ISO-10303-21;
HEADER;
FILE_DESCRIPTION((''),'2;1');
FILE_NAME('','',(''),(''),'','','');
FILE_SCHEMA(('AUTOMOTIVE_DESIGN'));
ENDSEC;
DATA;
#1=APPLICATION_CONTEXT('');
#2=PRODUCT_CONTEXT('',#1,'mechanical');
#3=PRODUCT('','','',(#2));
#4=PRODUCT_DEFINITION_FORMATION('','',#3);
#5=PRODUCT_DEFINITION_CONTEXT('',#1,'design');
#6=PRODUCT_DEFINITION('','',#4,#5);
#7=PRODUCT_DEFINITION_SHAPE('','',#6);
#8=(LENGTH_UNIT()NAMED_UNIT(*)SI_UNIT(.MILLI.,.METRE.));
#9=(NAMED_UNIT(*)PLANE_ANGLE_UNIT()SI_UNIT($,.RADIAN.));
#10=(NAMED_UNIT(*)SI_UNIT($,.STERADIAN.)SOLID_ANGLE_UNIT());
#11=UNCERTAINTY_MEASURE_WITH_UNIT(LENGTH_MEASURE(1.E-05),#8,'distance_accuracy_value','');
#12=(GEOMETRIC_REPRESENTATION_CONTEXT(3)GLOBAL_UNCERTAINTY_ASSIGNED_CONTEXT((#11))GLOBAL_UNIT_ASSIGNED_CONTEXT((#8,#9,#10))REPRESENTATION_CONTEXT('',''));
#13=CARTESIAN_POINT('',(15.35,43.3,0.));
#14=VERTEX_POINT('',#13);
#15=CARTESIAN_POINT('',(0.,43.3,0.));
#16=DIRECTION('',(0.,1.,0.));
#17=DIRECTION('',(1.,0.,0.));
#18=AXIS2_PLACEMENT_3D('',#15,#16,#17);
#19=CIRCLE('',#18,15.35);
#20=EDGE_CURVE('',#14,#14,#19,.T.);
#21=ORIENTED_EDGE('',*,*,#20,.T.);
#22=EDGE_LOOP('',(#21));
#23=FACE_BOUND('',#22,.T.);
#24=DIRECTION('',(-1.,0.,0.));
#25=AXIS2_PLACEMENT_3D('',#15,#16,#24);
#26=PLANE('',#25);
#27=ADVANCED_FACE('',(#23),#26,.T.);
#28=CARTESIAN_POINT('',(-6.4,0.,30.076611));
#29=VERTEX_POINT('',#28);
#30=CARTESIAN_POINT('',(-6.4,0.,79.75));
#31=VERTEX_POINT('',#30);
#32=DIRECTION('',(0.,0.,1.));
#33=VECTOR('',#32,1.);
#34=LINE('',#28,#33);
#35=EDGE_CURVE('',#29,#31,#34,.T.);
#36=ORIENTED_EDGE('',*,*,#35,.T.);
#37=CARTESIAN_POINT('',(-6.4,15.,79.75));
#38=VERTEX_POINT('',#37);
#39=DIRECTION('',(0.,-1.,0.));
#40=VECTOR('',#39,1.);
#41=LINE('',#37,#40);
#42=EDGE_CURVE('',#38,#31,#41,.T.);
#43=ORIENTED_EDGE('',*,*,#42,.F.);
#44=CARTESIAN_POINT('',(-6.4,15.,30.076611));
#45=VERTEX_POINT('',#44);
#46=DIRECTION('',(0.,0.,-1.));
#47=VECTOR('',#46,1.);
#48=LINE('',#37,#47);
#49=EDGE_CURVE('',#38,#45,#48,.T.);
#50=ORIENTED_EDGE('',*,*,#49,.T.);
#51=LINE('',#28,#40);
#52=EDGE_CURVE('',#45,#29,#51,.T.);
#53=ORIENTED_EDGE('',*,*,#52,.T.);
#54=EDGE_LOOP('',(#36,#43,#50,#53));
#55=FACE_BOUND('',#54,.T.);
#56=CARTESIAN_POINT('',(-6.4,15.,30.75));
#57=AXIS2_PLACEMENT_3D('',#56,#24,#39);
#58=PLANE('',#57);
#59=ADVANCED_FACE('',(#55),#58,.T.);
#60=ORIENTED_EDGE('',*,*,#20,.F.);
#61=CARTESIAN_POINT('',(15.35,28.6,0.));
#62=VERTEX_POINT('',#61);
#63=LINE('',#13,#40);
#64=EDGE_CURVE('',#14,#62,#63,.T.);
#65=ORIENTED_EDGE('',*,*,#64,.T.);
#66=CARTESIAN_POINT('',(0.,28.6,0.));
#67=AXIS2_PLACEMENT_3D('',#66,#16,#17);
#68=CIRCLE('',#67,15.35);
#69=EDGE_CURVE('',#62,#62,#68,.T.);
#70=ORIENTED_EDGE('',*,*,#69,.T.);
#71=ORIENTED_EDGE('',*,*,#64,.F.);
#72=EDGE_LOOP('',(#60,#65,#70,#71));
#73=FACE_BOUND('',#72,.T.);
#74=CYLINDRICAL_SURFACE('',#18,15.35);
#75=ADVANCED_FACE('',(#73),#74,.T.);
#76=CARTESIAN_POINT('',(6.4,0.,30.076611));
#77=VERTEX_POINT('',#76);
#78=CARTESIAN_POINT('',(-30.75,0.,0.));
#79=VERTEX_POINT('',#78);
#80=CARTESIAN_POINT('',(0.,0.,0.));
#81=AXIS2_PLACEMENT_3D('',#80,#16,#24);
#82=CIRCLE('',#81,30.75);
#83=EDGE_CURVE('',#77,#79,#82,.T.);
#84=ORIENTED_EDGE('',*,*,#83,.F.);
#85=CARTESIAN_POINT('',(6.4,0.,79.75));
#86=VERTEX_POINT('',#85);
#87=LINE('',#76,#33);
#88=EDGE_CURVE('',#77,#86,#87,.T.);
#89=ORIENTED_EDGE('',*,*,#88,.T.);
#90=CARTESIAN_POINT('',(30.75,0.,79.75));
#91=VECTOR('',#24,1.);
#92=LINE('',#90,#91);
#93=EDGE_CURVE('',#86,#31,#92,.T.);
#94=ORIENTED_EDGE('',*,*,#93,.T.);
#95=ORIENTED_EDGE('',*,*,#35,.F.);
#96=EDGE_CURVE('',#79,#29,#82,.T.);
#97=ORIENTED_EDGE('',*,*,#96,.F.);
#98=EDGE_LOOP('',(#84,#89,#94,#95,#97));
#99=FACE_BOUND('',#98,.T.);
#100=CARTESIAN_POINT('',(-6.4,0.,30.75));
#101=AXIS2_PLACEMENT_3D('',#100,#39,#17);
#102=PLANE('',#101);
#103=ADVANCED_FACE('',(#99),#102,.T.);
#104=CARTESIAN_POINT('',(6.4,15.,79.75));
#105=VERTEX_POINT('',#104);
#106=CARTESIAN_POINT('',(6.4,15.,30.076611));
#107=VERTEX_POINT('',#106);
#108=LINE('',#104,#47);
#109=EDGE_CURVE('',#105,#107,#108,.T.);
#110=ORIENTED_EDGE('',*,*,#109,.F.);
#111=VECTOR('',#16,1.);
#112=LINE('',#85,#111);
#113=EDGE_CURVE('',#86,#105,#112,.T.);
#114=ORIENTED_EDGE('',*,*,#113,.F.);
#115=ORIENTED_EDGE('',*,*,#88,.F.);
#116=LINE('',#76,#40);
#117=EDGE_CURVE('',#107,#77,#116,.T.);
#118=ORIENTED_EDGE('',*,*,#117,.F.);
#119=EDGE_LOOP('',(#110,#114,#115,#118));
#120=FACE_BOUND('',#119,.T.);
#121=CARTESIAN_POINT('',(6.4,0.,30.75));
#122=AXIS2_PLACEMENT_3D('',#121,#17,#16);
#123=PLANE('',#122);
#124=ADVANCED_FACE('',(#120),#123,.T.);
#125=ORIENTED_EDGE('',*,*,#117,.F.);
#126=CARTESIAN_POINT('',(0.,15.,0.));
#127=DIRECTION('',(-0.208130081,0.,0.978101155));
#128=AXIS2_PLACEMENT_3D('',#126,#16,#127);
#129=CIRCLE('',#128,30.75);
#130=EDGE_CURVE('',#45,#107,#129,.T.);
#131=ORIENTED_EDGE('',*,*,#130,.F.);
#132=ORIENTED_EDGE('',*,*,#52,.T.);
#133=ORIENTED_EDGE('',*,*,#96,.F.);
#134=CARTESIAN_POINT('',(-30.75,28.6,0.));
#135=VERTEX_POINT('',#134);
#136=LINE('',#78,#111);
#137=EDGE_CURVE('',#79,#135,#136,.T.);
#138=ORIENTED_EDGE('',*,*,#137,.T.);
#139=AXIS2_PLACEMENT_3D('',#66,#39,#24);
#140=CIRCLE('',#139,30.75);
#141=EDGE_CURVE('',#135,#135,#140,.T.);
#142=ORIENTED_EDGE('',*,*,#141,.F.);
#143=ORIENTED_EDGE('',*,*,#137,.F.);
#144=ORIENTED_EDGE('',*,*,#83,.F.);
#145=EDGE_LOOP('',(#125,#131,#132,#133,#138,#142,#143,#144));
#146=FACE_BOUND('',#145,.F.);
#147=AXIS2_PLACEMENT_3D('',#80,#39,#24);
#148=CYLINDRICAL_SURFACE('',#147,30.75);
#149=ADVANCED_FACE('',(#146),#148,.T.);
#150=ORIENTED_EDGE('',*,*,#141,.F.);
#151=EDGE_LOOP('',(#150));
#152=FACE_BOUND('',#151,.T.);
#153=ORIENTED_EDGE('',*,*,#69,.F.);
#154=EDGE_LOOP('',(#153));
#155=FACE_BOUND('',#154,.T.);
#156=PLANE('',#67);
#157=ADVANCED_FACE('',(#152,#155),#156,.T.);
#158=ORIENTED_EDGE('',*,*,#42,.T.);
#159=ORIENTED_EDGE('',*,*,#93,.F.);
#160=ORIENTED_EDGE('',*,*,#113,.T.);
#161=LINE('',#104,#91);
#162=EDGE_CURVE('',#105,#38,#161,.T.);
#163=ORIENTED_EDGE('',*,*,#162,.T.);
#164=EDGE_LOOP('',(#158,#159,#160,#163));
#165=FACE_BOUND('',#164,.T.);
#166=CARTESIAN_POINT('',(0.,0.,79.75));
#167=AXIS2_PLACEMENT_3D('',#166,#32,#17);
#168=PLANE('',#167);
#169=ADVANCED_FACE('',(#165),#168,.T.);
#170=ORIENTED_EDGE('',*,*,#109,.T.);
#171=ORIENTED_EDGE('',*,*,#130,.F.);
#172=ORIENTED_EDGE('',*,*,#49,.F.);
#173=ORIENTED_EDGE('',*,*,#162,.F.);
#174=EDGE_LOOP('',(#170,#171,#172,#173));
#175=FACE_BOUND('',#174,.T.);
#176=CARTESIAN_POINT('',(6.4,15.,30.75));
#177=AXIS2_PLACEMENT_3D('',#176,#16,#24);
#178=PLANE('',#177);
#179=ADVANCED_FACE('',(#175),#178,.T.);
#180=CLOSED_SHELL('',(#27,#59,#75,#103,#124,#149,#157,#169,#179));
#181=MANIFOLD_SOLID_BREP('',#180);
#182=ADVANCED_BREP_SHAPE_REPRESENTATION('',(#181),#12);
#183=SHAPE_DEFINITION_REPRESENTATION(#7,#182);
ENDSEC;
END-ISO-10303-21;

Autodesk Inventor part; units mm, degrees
ref_plane "YZ Plane" through (0, 0, 0) normal (1, 0, 0) x (0, 1, 0)
ref_plane "XZ Plane" through (0, 0, 0) normal (0, 1, 0) x (-1, 0, 0)
sketch "Sketch1" plane through (0, 0, 0) normal (0, 1, 0) x (-1, 0, 0)
  circle A0 centre (0, 0) radius 30.75
  dimension "d0" = 61.5
extrude "Extrusion1" add sketch "Sketch1" along normal blind 43.3
ref_plane "Work Plane1" through (0, 0, 30.75) normal (0, 0, 1) x (1, 0, 0)
sketch "Sketch2" plane through (0, 0, 30.75) normal (0, 0, 1) x (1, 0, 0)
  line L0 (30.75, 0) -> (-30.75, 0) projected
  line L1 (6.4, 15) -> (-6.4, 15)
  line L2 (-6.4, 15) -> (-6.4, 0)
  line L3 (-6.4, 0) -> (6.4, 0)
  line L4 (6.4, 0) -> (6.4, 15)
extrude "Extrusion2" add sketch "Sketch2" along normal blind 49
sketch "Sketch3" plane through (0, 0, 30.75) normal (0, 0, -1) x (-1, 0, 0)
  line L0 (6.4, 15) -> (6.4, 0) projected
  line L1 (-6.4, 0) -> (-6.4, 15) projected
  line L2 (6.4, 0) -> (-6.4, 0)
  line L3 (-6.4, 0) -> (-6.4, 15)
  line L4 (-6.4, 15) -> (6.4, 15)
  line L5 (6.4, 15) -> (6.4, 0)
  point P0 (0, 0)
extrude "Extrusion3" add sketch "Sketch3" along normal blind 5
sketch "Sketch4" plane through (0, 43.3, 0) normal (0, 1, 0) x (1, 0, 0)
  circle A0 centre (0, 0) radius 15.35
  circle A1 centre (0, 0) radius 30.75
  dimension "d10" = 30.7
extrude "Extrusion4" cut sketch "Sketch4" against normal blind 14.7
properties part number "Camara"
